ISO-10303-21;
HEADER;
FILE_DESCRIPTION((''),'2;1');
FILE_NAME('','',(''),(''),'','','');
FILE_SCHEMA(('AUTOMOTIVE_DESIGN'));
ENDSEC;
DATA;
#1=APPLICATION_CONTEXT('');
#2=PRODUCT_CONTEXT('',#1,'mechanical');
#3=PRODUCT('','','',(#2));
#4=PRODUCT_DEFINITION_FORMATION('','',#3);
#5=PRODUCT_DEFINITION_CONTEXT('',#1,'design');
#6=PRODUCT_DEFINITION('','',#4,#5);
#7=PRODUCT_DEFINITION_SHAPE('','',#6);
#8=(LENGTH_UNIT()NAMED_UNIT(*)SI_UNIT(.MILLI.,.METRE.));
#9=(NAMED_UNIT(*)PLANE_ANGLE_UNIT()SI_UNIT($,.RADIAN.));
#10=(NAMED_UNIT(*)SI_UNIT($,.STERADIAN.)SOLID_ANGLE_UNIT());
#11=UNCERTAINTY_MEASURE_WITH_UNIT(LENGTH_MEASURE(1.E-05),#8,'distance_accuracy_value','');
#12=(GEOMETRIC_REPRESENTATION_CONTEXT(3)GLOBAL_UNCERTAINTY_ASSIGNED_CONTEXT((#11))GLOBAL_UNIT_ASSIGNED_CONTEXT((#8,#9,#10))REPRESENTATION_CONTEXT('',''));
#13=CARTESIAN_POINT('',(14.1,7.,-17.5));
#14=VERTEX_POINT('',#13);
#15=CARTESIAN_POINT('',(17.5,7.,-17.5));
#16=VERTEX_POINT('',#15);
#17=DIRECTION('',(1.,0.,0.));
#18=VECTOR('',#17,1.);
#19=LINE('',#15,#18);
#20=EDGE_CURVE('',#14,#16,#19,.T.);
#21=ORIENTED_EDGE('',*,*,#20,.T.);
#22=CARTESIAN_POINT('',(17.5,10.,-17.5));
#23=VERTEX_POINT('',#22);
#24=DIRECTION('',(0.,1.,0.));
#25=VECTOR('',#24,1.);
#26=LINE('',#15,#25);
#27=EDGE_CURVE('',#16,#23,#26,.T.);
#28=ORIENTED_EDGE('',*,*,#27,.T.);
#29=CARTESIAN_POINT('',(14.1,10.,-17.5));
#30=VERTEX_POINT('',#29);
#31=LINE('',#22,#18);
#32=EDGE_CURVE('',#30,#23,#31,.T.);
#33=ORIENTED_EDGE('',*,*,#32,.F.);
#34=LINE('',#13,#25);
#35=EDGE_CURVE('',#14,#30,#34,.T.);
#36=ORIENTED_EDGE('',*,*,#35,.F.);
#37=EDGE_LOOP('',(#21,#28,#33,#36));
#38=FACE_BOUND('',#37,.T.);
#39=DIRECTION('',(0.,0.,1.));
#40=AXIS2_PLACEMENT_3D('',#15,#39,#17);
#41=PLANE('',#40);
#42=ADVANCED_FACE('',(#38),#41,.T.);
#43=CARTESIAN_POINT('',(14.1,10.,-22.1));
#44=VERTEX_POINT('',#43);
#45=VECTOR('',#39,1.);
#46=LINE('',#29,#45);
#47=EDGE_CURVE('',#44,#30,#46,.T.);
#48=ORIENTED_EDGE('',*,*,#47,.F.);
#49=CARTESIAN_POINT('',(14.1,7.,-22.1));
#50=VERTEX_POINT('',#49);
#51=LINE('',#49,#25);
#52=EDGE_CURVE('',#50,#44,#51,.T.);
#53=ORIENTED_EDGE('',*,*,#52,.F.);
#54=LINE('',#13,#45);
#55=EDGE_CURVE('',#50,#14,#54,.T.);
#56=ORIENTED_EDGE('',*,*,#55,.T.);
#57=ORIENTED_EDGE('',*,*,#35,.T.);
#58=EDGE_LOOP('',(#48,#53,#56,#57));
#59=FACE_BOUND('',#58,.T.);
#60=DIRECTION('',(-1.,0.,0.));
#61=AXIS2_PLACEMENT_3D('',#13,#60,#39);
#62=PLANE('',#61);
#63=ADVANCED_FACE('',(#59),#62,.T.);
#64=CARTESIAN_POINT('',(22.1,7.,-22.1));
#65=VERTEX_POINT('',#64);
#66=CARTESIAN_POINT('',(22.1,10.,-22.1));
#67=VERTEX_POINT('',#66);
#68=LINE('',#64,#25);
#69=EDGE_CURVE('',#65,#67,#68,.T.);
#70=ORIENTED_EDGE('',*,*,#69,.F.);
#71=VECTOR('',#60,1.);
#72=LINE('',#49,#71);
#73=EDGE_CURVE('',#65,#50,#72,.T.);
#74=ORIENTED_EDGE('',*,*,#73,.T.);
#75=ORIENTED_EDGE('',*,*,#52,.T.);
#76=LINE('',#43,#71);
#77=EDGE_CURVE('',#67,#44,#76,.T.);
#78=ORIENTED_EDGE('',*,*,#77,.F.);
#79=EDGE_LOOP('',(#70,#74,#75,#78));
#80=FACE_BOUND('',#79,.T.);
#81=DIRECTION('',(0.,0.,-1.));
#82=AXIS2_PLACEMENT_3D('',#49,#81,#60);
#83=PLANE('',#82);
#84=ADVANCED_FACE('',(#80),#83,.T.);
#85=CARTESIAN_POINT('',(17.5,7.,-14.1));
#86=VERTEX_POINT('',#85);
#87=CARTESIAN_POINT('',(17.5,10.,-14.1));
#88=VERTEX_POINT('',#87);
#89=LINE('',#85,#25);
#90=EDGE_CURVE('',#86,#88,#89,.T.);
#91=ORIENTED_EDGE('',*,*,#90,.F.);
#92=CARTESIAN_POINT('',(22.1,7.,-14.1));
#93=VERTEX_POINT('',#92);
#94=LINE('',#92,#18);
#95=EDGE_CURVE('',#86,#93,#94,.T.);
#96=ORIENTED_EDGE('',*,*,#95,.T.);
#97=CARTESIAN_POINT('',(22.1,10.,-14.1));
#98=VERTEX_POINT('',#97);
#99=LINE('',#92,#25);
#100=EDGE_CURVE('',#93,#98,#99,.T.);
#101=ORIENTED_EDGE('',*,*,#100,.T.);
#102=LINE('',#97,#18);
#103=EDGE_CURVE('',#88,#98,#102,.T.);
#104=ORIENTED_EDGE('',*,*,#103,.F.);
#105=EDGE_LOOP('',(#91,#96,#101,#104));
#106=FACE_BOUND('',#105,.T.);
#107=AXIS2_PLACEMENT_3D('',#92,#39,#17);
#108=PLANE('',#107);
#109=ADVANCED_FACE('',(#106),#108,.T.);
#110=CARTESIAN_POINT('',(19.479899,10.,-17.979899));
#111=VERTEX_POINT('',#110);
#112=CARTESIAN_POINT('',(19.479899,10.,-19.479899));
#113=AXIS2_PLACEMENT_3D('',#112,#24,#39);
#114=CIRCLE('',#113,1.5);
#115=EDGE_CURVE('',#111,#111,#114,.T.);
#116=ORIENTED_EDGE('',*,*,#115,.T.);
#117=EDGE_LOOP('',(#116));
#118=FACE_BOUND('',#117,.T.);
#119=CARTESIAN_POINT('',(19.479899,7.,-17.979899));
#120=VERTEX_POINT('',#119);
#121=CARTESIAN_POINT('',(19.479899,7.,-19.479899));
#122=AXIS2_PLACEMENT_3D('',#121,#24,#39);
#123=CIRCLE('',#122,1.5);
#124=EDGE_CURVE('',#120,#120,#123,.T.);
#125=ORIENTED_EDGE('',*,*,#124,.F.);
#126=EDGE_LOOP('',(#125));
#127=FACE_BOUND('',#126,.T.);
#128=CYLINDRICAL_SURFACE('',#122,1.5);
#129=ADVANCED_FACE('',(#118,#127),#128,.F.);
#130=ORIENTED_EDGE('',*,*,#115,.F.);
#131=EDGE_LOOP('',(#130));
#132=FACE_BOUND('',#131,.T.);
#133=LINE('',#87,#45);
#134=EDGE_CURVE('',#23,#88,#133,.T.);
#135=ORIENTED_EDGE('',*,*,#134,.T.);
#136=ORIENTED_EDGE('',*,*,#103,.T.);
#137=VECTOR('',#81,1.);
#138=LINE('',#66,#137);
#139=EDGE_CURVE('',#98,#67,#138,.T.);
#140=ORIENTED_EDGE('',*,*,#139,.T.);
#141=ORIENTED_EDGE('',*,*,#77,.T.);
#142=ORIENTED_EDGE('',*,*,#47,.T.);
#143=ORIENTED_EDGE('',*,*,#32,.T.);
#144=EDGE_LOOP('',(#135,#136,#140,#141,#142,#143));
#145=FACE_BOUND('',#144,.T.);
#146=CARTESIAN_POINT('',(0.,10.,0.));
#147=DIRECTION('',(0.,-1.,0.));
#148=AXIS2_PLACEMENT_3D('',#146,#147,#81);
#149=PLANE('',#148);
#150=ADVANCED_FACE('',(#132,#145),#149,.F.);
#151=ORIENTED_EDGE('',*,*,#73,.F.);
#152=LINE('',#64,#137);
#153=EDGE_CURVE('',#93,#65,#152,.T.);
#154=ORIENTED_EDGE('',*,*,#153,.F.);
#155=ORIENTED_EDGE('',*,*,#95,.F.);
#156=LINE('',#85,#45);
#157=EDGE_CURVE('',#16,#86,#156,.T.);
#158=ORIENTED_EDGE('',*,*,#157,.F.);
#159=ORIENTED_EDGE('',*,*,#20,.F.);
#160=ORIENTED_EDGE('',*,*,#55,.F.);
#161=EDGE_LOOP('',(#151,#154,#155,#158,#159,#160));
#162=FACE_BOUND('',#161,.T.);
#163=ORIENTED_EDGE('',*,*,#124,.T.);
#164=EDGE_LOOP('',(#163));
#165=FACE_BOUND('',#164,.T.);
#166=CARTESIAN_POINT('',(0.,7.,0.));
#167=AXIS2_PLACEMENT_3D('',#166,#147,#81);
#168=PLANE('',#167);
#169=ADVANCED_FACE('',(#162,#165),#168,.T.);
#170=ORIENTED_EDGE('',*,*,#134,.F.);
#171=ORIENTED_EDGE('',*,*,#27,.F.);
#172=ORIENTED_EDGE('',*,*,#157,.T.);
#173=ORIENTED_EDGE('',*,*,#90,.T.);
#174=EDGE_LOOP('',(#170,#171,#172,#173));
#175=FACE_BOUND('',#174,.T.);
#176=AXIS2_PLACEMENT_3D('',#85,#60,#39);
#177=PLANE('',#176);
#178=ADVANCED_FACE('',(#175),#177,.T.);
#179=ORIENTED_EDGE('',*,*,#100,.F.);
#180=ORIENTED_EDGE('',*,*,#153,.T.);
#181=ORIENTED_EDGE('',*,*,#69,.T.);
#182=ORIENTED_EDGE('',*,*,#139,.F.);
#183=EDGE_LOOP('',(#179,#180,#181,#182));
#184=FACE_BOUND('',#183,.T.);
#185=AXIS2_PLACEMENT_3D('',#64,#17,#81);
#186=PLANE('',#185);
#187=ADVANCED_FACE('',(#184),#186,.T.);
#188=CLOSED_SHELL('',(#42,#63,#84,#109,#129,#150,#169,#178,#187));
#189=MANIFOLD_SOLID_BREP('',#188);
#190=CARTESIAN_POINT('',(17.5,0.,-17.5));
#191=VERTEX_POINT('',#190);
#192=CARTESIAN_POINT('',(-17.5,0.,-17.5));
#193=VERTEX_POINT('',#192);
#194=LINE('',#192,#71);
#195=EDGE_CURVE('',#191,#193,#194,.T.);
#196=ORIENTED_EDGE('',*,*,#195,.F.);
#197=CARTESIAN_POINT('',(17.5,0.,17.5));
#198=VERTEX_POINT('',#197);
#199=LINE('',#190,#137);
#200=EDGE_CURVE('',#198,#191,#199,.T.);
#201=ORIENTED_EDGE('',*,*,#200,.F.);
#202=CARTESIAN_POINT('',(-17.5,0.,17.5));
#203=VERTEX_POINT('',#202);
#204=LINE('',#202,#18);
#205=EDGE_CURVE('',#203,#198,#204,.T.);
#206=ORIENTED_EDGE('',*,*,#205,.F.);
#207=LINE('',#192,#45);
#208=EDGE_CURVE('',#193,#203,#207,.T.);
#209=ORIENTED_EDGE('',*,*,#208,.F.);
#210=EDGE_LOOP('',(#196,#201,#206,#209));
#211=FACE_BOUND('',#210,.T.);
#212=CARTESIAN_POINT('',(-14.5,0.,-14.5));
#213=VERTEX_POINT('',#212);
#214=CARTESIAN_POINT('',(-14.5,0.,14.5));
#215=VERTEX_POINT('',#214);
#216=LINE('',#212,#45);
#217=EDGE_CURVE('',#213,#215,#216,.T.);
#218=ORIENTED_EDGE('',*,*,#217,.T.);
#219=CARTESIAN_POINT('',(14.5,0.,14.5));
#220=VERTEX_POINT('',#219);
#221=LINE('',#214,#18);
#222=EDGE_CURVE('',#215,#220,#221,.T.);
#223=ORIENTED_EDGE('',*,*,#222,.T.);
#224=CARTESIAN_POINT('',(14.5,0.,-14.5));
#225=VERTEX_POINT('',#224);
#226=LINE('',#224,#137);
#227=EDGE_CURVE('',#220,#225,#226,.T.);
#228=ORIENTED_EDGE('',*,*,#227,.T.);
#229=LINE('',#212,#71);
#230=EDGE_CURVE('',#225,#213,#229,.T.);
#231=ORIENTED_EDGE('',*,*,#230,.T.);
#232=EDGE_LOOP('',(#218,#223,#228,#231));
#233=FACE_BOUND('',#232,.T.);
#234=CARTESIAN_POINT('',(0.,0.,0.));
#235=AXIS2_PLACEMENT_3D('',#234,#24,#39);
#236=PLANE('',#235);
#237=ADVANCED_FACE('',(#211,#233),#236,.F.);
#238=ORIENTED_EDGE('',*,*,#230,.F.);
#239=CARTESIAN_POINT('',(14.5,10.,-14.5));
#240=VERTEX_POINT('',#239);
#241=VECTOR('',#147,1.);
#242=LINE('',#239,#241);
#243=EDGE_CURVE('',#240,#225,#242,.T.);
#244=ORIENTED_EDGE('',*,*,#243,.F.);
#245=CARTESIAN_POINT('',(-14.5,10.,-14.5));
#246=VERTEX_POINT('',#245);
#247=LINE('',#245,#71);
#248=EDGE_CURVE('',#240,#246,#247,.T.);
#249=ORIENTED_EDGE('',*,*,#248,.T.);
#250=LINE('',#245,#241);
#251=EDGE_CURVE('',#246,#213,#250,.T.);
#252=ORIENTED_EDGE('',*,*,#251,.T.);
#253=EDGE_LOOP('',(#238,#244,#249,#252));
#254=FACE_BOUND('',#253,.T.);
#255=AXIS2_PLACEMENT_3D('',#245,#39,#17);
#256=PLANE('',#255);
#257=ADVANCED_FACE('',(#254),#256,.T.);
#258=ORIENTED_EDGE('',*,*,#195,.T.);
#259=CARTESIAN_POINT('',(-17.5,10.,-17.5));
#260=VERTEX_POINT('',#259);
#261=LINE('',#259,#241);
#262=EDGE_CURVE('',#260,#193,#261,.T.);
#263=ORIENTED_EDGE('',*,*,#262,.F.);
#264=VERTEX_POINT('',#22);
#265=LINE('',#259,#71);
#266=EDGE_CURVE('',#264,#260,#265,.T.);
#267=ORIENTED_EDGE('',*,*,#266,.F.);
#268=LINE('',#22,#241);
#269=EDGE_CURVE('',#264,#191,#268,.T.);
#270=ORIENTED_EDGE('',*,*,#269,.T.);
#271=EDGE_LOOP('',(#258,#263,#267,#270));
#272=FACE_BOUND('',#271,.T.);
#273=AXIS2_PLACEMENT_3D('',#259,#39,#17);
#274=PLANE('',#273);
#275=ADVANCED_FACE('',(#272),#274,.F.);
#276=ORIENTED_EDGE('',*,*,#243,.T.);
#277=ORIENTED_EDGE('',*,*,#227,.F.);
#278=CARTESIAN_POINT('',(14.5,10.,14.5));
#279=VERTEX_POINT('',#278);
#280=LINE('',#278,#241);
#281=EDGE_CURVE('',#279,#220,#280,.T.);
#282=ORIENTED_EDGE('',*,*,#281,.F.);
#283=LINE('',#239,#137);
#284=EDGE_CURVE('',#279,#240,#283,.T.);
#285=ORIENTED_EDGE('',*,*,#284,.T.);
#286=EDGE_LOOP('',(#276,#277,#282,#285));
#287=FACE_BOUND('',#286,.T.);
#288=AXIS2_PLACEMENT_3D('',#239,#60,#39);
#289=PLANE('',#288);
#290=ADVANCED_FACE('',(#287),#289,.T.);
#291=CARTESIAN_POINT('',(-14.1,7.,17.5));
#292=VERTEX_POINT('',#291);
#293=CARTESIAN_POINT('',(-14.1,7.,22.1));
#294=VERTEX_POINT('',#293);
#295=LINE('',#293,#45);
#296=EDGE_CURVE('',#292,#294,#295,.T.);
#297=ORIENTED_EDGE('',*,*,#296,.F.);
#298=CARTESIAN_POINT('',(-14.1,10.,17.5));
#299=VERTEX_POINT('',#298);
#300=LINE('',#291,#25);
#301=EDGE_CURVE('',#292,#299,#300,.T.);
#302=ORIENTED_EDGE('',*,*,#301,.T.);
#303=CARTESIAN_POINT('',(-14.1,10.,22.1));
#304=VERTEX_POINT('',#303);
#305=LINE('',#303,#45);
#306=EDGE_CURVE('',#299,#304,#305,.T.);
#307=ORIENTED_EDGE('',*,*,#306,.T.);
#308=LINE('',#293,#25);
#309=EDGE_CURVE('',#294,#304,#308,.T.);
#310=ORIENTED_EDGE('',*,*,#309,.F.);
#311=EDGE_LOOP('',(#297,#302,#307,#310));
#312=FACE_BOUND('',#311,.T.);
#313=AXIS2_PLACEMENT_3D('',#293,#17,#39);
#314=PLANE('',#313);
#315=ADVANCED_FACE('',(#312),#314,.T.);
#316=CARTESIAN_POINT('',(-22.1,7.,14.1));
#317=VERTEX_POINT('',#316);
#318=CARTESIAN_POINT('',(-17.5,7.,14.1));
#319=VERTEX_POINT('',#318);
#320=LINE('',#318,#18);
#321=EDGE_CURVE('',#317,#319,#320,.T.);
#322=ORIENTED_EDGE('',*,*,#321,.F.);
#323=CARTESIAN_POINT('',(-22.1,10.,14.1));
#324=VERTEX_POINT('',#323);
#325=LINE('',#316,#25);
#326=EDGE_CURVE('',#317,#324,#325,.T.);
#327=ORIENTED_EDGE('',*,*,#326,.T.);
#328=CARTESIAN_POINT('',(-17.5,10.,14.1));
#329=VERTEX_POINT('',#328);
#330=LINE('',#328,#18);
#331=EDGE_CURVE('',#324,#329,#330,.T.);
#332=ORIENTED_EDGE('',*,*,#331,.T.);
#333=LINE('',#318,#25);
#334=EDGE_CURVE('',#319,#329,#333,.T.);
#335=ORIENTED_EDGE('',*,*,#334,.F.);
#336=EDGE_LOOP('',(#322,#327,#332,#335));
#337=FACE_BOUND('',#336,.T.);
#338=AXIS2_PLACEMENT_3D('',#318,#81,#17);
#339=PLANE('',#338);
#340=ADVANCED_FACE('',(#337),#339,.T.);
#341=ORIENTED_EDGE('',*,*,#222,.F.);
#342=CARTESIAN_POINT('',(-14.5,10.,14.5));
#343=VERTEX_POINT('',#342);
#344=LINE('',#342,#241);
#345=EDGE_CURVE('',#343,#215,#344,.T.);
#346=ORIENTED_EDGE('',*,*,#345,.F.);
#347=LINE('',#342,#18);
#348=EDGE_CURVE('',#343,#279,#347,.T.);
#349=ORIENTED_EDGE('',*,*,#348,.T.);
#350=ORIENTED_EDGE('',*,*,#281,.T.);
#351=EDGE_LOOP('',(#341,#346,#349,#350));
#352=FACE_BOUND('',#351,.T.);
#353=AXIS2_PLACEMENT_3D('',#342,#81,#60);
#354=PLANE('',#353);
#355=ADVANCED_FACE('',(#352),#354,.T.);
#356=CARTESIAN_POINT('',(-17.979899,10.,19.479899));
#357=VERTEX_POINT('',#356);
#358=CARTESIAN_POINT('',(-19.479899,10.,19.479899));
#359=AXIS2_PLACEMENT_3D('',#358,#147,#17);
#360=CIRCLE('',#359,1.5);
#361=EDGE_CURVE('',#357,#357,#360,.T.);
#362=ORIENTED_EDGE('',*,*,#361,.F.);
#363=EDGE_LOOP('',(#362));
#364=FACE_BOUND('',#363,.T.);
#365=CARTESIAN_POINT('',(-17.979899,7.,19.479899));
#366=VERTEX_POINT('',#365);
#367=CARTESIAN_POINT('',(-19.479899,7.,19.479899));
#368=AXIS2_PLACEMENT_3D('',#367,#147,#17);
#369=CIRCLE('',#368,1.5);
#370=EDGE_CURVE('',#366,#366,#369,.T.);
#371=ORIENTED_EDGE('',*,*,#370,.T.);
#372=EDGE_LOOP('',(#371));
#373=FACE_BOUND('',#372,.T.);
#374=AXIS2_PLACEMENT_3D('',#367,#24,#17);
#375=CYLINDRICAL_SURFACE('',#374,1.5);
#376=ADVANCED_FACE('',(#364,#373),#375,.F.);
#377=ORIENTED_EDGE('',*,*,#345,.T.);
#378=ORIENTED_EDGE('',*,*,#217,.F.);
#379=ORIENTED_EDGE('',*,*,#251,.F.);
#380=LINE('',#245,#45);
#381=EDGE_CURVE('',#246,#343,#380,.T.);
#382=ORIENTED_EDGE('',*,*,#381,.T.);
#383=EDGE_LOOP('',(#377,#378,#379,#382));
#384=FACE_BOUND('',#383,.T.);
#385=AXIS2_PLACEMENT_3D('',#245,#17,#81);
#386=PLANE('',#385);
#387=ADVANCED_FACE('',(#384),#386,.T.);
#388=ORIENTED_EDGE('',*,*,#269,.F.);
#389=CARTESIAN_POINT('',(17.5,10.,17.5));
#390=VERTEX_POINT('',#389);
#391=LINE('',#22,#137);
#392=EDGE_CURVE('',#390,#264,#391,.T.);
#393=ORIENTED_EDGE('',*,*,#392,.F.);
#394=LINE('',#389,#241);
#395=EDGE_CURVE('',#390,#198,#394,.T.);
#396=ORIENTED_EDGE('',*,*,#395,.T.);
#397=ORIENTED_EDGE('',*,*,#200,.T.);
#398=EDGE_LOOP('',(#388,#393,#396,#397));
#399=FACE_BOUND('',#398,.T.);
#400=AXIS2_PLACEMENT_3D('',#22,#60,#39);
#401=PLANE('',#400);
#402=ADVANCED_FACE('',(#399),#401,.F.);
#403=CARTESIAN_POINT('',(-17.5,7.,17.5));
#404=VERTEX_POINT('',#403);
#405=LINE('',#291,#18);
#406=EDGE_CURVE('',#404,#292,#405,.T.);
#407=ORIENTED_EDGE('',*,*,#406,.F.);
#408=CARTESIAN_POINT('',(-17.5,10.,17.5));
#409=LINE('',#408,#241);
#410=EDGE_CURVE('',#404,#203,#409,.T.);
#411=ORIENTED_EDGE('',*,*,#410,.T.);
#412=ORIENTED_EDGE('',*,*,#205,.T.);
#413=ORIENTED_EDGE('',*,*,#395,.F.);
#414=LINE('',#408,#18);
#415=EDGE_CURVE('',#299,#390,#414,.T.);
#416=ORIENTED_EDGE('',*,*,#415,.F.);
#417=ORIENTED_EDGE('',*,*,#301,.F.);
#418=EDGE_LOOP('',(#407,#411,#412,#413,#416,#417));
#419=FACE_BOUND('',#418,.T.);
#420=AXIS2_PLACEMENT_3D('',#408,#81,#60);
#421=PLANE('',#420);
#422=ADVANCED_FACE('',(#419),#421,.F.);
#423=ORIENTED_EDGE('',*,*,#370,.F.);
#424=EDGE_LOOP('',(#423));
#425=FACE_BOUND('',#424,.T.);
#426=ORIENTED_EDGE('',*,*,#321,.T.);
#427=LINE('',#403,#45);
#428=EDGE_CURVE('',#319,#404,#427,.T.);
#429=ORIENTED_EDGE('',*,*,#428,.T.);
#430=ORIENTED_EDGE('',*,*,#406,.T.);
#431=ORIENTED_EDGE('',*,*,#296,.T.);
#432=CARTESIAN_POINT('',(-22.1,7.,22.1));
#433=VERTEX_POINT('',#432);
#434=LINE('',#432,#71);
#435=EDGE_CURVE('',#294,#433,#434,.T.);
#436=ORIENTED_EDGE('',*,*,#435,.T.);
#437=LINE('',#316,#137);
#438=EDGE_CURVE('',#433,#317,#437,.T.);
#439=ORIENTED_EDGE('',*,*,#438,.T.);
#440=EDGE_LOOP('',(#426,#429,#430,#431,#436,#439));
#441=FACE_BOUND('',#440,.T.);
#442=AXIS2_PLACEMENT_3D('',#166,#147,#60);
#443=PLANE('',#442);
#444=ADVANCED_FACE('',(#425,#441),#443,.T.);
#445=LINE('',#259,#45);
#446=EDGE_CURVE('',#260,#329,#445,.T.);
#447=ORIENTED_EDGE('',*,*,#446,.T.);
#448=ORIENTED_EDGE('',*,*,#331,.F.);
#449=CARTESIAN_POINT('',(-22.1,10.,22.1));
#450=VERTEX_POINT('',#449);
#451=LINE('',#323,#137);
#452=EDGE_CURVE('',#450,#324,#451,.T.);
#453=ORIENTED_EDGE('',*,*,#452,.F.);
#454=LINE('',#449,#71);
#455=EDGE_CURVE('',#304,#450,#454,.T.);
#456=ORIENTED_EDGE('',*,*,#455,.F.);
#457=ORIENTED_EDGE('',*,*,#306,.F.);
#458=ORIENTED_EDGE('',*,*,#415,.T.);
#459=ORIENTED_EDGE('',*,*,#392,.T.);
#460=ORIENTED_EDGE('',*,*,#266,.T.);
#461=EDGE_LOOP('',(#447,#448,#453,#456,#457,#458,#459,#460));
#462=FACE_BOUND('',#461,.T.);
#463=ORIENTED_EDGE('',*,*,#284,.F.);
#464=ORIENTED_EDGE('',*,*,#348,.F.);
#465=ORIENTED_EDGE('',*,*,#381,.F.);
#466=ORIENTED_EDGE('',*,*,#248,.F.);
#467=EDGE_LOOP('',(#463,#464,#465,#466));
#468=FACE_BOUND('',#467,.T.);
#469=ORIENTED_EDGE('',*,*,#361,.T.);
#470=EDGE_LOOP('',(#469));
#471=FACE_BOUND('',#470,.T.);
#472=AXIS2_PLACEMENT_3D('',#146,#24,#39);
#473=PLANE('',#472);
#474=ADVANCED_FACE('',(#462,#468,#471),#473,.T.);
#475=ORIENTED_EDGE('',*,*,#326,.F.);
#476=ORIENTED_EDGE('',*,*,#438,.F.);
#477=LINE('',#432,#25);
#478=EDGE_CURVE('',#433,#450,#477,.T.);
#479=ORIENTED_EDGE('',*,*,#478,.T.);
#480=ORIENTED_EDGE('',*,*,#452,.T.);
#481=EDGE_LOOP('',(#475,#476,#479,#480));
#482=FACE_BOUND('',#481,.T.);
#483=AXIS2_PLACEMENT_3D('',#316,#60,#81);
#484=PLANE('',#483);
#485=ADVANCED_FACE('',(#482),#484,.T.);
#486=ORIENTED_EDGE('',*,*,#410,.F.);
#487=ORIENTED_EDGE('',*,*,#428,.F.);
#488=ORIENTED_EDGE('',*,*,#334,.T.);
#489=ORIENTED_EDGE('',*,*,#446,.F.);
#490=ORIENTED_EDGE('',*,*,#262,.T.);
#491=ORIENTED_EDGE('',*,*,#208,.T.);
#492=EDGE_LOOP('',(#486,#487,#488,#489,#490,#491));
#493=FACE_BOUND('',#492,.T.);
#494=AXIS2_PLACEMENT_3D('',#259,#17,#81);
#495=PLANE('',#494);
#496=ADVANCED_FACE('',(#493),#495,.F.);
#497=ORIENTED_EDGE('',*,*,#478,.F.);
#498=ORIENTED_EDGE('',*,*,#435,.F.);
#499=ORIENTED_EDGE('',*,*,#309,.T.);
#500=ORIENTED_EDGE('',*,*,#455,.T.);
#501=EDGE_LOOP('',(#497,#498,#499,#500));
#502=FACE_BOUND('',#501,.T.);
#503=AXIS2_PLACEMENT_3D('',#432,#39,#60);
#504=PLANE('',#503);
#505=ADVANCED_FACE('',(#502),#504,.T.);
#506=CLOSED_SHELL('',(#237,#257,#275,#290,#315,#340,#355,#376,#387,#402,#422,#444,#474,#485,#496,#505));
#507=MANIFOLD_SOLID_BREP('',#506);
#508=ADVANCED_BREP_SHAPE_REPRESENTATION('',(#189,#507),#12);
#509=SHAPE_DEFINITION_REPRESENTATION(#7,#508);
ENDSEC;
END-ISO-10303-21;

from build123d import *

# Parameters (mm, degrees)
SKETCH1_W           = 35
SKETCH1_H           = 35
SKETCH1_W_2         = 29
SKETCH1_H_2         = 29
BOSS_EXTRUDE1_DEPTH = 10
SKETCH2_R           = 1.5
BOSS_EXTRUDE2_DEPTH = 3


with BuildPart() as part:
    # Sketch1 → Boss-Extrude1 (new body)
    with BuildSketch(Plane(origin=(0, 0, 0), x_dir=(1, 0, 0), z_dir=(0, 1, 0))):
        Rectangle(SKETCH1_W, SKETCH1_H)
        Rectangle(SKETCH1_W_2, SKETCH1_H_2, mode=Mode.SUBTRACT)
    extrude(amount=BOSS_EXTRUDE1_DEPTH)


with BuildPart() as body_2:
    # Sketch2 → Boss-Extrude2 (new body)
    with BuildSketch(Plane(origin=(0, 10, 0), x_dir=(1, 0, 0), z_dir=(0, 1, 0))):
        Polygon((14.1, 17.5), (14.1, 22.1), (22.1, 22.1), (22.1, 14.1), (17.5, 14.1), (17.5, 17.5), align=None)
        with Locations(Location((19.479898987, 19.479898987, 0), (0, 0, 270))):
            Circle(SKETCH2_R, mode=Mode.SUBTRACT)
    boss_extrude2 = extrude(amount=-BOSS_EXTRUDE2_DEPTH)


with BuildPart() as part_1:
    add(part.part)

    # Mirror3: Boss-Extrude2 across plane
    add(boss_extrude2.mirror(Plane(origin=(0, 0, 0), x_dir=(0.7071067811865476, 0, 0.7071067811865475), z_dir=(0.7071067811865475, 0, -0.7071067811865476))))


solid = Compound([body_2.part, part_1.part])
